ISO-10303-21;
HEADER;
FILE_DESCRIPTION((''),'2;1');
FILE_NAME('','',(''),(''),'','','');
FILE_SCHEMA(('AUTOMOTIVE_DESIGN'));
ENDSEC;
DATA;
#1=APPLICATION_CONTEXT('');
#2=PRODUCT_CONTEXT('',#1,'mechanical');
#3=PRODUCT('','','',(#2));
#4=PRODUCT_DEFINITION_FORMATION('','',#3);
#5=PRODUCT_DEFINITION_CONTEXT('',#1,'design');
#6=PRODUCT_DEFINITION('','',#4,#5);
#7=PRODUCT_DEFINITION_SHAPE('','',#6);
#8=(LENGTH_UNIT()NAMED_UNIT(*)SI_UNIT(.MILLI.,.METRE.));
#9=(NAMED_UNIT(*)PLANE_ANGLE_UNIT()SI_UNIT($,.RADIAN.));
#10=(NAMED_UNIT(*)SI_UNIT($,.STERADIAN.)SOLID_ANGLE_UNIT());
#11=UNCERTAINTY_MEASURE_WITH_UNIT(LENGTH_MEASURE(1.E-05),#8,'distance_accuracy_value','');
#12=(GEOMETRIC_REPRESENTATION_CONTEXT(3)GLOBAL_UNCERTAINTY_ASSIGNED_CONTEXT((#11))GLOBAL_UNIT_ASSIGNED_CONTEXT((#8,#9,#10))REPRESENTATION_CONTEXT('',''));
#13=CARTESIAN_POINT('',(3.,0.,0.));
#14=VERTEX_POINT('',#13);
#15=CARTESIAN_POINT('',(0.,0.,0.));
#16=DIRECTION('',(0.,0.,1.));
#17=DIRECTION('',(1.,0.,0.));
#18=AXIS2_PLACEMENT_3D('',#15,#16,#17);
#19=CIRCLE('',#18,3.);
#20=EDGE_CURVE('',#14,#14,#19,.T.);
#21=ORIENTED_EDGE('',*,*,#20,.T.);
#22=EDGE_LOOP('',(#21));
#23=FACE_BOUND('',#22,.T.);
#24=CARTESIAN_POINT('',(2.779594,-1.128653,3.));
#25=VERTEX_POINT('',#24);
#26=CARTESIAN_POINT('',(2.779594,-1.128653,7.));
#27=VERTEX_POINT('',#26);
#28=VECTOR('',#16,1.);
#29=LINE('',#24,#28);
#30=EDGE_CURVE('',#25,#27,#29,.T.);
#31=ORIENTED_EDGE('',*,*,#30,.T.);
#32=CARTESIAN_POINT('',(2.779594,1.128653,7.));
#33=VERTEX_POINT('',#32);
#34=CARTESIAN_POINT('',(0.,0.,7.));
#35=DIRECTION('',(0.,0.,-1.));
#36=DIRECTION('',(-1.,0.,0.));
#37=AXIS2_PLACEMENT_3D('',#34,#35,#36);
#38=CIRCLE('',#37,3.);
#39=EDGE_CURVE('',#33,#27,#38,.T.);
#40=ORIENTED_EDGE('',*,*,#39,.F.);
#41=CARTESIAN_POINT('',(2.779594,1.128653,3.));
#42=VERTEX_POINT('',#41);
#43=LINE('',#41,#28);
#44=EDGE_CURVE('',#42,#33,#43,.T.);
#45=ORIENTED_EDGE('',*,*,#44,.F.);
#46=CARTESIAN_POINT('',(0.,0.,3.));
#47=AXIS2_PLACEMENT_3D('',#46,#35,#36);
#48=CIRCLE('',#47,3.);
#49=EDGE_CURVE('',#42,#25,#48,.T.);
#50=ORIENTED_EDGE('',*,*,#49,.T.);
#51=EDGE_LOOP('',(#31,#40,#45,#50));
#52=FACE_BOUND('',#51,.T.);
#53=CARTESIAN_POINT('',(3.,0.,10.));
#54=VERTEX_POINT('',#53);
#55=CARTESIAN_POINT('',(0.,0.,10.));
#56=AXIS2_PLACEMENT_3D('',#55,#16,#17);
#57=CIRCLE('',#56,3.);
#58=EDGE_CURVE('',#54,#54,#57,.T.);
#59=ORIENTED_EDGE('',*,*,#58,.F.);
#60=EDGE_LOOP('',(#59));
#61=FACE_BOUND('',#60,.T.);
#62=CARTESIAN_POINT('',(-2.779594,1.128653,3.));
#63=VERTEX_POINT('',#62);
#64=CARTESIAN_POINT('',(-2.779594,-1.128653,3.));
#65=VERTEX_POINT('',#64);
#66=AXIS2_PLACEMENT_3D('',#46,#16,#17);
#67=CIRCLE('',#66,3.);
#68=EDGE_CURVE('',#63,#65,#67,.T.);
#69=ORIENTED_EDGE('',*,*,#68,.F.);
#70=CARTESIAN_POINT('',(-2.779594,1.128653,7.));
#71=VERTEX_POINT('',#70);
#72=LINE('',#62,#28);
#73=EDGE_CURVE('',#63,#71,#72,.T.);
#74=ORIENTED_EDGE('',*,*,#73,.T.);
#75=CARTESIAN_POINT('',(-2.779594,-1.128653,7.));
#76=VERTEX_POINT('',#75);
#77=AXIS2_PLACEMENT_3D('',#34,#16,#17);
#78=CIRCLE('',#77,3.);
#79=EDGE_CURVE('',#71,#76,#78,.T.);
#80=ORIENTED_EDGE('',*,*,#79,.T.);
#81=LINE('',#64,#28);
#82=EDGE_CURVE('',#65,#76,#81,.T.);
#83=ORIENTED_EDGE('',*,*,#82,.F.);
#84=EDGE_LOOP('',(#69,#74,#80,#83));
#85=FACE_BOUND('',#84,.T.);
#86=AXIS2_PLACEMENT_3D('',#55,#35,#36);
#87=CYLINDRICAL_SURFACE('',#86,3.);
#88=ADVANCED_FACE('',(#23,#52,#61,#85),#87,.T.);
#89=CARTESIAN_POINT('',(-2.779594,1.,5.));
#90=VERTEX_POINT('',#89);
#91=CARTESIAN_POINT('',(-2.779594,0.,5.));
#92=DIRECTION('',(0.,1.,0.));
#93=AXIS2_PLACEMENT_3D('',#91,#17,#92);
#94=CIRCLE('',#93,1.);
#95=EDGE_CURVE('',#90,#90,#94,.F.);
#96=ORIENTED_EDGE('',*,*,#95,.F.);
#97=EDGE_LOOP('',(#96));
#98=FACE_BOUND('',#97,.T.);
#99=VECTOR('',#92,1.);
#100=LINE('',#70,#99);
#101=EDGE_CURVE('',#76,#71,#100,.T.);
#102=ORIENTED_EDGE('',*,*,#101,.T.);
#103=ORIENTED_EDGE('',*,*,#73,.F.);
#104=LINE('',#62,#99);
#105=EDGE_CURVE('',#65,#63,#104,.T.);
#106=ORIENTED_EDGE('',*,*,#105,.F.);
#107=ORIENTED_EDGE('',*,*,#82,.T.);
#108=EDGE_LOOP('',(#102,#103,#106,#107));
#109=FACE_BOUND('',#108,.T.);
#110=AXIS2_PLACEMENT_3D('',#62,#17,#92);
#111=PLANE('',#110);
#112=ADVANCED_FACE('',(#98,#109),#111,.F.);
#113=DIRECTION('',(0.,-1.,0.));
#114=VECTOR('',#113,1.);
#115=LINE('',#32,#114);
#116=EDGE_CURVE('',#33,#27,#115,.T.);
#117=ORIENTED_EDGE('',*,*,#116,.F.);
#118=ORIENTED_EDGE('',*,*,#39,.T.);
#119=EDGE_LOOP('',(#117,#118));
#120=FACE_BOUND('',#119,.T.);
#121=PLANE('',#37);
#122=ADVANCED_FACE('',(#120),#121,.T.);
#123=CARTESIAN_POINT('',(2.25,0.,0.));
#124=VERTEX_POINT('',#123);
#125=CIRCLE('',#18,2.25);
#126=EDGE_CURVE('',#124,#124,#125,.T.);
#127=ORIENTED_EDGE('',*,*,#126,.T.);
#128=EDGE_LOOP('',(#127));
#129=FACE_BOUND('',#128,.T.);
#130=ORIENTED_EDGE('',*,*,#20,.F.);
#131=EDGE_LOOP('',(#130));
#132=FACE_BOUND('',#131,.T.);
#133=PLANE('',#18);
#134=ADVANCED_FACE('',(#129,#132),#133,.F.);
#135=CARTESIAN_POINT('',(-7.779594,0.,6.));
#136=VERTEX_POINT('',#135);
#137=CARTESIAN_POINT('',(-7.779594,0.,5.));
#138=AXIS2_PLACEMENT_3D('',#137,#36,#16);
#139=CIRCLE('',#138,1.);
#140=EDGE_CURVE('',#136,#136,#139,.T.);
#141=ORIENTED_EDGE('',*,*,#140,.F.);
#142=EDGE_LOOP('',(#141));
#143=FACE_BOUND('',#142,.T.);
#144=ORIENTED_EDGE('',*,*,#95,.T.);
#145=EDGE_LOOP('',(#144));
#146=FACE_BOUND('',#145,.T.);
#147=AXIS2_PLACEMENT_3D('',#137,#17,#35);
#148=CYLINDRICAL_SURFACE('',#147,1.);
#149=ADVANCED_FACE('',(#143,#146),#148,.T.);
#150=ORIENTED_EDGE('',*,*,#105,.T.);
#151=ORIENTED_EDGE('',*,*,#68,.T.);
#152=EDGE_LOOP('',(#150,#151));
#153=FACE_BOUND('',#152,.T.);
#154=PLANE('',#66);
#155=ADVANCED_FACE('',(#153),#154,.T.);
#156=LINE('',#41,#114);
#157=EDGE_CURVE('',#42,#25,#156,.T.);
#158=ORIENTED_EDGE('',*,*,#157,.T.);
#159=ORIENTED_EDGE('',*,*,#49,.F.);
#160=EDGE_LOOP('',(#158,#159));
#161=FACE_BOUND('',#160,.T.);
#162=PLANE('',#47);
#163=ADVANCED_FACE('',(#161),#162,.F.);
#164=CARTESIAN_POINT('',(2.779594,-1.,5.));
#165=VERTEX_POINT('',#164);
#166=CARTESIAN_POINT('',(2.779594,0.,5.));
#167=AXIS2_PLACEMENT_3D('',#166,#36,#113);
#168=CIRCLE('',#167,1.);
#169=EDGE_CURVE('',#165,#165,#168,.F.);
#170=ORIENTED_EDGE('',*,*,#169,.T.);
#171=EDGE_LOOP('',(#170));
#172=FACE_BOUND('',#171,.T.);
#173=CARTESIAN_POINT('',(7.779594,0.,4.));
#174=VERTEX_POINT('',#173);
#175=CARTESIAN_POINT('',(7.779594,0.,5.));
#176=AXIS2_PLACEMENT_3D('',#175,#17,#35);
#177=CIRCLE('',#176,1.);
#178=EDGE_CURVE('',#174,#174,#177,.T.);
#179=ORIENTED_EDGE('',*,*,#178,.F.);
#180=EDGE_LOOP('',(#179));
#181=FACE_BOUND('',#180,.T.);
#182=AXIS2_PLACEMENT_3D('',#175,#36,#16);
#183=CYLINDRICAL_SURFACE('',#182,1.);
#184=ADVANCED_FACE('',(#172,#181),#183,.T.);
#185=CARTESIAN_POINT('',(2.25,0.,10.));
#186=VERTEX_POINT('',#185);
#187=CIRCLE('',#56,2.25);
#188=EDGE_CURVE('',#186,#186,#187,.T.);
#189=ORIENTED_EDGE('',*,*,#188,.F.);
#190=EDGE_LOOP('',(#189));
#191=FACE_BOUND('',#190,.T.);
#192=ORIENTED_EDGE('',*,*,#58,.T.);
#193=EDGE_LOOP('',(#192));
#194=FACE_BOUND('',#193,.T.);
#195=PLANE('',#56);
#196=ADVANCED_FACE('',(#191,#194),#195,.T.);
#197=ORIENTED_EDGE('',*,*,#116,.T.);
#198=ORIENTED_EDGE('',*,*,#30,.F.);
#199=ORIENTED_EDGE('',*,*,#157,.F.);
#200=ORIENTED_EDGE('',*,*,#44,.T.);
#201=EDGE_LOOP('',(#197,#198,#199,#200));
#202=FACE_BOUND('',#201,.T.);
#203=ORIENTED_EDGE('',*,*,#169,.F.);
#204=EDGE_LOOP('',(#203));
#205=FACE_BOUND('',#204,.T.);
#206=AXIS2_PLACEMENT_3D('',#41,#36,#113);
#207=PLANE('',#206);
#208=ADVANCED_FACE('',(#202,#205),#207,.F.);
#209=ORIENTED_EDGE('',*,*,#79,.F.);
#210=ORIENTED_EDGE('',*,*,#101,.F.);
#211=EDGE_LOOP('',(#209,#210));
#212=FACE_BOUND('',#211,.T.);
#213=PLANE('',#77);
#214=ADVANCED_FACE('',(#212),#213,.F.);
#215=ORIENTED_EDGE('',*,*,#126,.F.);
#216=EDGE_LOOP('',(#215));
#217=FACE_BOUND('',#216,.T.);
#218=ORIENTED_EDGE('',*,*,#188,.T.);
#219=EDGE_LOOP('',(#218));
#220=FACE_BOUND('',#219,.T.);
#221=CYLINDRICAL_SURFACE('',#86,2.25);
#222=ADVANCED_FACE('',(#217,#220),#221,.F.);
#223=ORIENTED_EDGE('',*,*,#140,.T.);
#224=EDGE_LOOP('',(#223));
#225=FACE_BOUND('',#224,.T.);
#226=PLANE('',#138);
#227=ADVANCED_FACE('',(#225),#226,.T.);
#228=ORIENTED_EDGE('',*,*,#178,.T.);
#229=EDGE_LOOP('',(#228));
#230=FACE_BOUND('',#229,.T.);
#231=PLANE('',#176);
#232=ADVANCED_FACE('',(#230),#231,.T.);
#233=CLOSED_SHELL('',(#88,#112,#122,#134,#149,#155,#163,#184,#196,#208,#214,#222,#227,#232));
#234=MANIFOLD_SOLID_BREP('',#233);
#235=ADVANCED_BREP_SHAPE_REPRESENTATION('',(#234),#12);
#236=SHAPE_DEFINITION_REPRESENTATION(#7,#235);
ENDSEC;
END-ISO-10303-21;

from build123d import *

# Parameters (mm, degrees)
SKETCH1_R           = 3
SKETCH1_R_2         = 2.25
BOSS_EXTRUDE1_DEPTH = 10
CUT_EXTRUDE3_START  = -3
SKETCH2_W           = 1.120885769
SKETCH2_H           = 2.257305728
CUT_EXTRUDE3_DEPTH  = 4
SKETCH3_R           = 1
BOSS_EXTRUDE2_DEPTH = 5
BOSS_EXTRUDE3_START = 5
SKETCH4_R           = 1
BOSS_EXTRUDE3_DEPTH = 5


with BuildPart() as part:
    # Sketch1 → Boss-Extrude1 (new body)
    with BuildSketch(Plane.XY):
        Circle(SKETCH1_R)
        Circle(SKETCH1_R_2, mode=Mode.SUBTRACT)
    extrude(amount=BOSS_EXTRUDE1_DEPTH)

    # Sketch2 → Cut-Extrude3 (cut)
    with BuildSketch(Plane.XY.offset(10).offset(CUT_EXTRUDE3_START)):
        with Locations((-3.340036868, 0)):
            Rectangle(SKETCH2_W, SKETCH2_H)
        with Locations((3.340036868, 0)):
            Rectangle(SKETCH2_W, SKETCH2_H)
    extrude(amount=-CUT_EXTRUDE3_DEPTH, mode=Mode.SUBTRACT)

    # Sketch3 → Boss-Extrude2 (add)
    with BuildSketch(Plane.ZY.offset(2.779593983)):
        with Locations(Location((5, 0, 0), (0, 0, 90))):
            Circle(SKETCH3_R)
    extrude(amount=BOSS_EXTRUDE2_DEPTH)

    # Sketch4 → Boss-Extrude3 (add)
    with BuildSketch(Plane(origin=(2.779593983, 0, 0), x_dir=(0, 0, -1), z_dir=(1, 0, 0)).offset(BOSS_EXTRUDE3_START)):
        with Locations(Location((-5, 0, 0), (0, 0, 90))):
            Circle(SKETCH4_R)
    extrude(amount=-BOSS_EXTRUDE3_DEPTH)


solid = part.part
